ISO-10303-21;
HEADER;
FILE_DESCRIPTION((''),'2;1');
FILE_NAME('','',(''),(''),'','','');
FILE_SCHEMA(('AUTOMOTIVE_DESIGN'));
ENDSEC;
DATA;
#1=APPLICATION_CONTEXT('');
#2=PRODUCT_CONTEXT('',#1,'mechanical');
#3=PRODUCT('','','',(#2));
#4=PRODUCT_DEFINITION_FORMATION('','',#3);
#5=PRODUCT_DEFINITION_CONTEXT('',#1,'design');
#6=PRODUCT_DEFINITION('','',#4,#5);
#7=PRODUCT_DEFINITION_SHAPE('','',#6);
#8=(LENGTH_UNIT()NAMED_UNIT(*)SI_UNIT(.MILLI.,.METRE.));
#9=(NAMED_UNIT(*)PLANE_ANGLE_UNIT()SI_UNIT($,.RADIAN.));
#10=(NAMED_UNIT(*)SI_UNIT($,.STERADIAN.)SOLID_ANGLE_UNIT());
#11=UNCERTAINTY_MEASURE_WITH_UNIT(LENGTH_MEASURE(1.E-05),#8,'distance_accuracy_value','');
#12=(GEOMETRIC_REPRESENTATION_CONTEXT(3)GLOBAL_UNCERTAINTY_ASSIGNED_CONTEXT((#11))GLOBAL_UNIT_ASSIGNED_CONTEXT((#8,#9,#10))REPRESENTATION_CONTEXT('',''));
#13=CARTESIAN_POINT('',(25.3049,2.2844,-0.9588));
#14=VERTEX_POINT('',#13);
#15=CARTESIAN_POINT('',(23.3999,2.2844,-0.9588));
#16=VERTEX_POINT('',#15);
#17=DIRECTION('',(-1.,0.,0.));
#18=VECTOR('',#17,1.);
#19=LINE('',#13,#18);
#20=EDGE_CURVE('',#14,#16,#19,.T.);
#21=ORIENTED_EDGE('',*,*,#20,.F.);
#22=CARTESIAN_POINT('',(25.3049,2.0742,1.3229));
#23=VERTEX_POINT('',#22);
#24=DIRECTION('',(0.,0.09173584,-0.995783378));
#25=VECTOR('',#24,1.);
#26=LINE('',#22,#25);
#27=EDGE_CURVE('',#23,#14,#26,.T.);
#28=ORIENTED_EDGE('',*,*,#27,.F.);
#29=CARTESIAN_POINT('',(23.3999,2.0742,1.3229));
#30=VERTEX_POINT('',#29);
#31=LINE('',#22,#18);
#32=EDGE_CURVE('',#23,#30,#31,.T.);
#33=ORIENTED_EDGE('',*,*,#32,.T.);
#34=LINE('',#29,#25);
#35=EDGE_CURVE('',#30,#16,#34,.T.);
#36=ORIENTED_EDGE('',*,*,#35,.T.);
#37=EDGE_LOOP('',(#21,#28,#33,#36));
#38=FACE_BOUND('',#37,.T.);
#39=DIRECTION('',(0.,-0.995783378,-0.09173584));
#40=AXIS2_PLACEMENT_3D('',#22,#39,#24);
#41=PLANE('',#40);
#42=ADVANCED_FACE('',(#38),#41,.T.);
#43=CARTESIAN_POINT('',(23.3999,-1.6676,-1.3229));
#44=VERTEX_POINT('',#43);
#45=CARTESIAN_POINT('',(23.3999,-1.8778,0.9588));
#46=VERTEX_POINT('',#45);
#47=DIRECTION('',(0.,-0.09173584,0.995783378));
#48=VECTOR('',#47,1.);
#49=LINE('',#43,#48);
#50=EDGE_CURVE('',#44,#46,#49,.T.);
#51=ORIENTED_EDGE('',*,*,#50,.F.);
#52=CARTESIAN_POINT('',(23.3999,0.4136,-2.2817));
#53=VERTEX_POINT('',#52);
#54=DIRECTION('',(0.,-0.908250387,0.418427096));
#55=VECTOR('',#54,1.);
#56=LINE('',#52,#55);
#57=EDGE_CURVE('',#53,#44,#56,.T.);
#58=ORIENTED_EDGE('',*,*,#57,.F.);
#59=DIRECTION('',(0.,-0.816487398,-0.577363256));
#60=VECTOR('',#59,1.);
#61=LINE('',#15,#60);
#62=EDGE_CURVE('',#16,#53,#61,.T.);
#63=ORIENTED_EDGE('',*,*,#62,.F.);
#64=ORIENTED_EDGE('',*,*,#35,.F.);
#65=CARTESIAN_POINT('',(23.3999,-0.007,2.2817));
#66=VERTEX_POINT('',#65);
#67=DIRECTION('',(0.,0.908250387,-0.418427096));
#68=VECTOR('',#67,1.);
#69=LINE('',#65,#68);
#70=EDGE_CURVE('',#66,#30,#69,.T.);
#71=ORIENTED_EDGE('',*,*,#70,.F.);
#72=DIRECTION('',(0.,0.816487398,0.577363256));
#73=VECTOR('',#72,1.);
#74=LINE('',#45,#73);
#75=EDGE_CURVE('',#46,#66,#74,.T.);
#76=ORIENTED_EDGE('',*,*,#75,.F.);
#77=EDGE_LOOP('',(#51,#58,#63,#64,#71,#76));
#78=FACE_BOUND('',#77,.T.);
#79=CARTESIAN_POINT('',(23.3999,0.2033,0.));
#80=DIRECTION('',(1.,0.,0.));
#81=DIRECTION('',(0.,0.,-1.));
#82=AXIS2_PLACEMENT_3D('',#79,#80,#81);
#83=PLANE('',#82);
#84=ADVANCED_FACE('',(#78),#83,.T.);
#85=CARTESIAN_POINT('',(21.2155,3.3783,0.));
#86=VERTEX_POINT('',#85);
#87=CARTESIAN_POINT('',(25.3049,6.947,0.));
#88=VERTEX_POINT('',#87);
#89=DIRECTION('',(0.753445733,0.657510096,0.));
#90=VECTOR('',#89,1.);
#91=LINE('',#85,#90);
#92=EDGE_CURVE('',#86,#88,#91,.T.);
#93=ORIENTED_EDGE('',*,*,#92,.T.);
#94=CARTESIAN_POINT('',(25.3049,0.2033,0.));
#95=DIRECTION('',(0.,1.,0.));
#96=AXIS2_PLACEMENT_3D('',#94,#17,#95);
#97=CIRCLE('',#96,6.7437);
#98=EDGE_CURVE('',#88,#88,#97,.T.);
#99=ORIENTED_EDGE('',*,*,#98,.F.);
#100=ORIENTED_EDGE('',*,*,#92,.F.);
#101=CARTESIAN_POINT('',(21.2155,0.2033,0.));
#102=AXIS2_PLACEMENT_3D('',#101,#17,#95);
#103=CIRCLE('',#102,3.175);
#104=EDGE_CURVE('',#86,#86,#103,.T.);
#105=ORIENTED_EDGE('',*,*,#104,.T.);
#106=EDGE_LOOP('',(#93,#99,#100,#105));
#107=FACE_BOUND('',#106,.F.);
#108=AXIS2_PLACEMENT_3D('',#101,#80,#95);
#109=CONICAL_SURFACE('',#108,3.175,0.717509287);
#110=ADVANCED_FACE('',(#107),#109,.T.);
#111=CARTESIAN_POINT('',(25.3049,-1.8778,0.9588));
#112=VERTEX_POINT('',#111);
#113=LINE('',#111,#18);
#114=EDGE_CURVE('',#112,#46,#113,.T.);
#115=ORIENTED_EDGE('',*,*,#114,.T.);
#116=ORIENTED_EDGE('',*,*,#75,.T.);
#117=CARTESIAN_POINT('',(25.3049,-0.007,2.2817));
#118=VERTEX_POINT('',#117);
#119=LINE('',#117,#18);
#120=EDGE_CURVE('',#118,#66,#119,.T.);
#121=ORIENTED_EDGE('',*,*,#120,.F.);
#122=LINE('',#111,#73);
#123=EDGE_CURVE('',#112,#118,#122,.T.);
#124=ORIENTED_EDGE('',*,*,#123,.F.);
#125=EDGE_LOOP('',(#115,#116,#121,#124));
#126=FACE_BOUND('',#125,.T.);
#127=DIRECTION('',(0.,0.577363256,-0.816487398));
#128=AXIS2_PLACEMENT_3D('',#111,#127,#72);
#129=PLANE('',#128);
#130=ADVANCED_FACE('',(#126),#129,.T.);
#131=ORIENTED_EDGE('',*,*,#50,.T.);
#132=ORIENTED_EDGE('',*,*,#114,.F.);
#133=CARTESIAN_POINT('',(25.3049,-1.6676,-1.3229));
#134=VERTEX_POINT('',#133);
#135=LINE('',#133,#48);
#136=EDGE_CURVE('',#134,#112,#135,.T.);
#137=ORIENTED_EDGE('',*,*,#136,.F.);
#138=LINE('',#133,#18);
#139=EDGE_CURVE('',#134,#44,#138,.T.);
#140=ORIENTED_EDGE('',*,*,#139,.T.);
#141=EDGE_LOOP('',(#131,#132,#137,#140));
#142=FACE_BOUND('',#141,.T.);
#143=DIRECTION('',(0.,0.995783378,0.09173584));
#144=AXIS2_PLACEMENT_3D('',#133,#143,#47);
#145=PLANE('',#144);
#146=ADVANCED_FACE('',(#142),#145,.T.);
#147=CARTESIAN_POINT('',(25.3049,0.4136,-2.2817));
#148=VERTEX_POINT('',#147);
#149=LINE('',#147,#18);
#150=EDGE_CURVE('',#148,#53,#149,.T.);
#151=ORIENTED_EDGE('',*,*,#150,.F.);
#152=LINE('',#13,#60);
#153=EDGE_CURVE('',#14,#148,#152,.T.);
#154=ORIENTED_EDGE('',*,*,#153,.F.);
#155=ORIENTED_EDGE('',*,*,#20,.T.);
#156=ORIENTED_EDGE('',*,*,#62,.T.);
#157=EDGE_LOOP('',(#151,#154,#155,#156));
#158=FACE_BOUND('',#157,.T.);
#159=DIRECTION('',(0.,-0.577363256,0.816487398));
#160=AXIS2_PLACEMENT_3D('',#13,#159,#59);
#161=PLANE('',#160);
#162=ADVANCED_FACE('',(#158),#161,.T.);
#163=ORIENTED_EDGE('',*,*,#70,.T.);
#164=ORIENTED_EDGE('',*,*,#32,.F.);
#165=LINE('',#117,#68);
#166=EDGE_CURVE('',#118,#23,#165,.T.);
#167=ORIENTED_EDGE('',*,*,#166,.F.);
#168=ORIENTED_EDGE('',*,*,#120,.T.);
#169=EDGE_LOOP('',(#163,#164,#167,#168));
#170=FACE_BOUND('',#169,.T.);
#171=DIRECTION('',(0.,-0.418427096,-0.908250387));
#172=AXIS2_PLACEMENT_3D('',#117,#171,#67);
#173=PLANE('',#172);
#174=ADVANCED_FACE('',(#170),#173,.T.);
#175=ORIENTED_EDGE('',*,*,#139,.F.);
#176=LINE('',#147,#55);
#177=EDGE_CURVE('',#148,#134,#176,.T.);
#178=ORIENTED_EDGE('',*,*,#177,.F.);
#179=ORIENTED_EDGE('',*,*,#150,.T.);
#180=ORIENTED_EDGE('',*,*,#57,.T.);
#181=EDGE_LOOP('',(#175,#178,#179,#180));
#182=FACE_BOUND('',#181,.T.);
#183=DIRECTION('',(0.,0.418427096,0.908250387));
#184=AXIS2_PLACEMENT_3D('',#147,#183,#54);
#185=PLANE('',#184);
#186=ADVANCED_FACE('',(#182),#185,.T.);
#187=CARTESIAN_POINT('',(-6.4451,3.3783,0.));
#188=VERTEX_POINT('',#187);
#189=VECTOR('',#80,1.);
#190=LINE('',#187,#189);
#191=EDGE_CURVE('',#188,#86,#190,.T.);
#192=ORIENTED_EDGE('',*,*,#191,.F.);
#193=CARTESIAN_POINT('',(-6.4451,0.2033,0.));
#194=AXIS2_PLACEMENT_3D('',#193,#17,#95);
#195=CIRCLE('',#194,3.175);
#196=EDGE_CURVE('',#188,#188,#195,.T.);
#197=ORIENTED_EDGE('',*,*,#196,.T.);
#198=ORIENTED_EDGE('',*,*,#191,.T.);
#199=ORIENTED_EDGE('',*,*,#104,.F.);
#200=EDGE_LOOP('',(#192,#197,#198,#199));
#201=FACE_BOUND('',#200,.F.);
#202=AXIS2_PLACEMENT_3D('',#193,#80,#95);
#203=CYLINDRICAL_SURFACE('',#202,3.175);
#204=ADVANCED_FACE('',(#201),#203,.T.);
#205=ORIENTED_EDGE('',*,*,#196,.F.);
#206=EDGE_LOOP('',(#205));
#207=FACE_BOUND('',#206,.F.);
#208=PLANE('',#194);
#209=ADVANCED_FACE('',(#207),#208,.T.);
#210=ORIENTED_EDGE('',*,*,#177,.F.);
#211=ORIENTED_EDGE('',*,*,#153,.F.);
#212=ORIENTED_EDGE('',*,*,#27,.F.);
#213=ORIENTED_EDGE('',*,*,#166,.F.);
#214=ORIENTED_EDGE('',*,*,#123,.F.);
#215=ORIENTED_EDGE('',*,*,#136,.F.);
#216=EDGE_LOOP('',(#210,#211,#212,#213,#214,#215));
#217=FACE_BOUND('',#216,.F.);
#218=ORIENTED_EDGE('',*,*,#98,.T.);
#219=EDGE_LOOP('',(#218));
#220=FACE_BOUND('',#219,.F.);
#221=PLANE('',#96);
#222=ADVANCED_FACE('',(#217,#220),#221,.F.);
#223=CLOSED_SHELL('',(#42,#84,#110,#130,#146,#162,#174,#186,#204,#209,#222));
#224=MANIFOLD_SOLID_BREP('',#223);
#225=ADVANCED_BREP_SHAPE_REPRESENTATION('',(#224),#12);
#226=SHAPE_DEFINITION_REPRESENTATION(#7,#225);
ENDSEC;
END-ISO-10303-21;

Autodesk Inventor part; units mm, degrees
ref_plane "YZ Plane" through (0, 0, 0) normal (1, 0, 0) x (0, 1, 0)
ref_plane "XZ Plane" through (0, 0, 0) normal (0, 1, 0) x (-1, 0, 0)
ref_plane "XY Plane" through (0, 0, 0) normal (0, 0, 1) x (1, 0, 0)
sketch "Sketch1" plane through (0, 0, 0) normal (0, 0, 1) x (1, 0, 0)
  line L0 (25.3049, 0.2033) -> (-6.4451, 0.2033)
  line L1 (-6.4451, 0.2033) -> (-6.4451, 3.3783)
  line L2 (-6.4451, 3.3783) -> (21.2155, 3.3783)
  line L3 (21.2155, 3.3783) -> (25.3049, 6.947)
  line L4 (25.3049, 6.947) -> (25.3049, 0.2033)
  dimension "d1" = 3.175
  dimension "d2" = 4.0894
  dimension "d3" = 6.7437
  dimension "d20" = 31.75
revolve "Revolution1" add sketch "Sketch1" angle 360 about axis through (25.3049, 0.2033, 0) along (-1, 0, 0)
thread "Thread1" size "1/4-20 UNC" class "2A" standard "ANSI Unified Screw Threads" full length
sketch "Sketch2" plane through (25.3049, 0.2033, 0) normal (1, 0, 0) x (0, 0, -1)
  circle A0 centre (0, 0) radius 6.7437 projected
  line L0 (-1.3229, 1.8709) -> (0.9588, 2.0811)
  line L1 (0.9588, 2.0811) -> (2.2817, 0.2103)
  line L2 (2.2817, 0.2103) -> (1.3229, -1.8709)
  line L3 (1.3229, -1.8709) -> (-0.9588, -2.0811)
  line L4 (-0.9588, -2.0811) -> (-2.2817, -0.2103)
  line L5 (-2.2817, -0.2103) -> (-1.3229, 1.8709)
  dimension "d16" = 3.9688
extrude "Extrusion1" cut sketch "Sketch2" against normal blind 1.905 contours L0 L1 L2 L3 L4 L5
properties part number "HW-00013"
